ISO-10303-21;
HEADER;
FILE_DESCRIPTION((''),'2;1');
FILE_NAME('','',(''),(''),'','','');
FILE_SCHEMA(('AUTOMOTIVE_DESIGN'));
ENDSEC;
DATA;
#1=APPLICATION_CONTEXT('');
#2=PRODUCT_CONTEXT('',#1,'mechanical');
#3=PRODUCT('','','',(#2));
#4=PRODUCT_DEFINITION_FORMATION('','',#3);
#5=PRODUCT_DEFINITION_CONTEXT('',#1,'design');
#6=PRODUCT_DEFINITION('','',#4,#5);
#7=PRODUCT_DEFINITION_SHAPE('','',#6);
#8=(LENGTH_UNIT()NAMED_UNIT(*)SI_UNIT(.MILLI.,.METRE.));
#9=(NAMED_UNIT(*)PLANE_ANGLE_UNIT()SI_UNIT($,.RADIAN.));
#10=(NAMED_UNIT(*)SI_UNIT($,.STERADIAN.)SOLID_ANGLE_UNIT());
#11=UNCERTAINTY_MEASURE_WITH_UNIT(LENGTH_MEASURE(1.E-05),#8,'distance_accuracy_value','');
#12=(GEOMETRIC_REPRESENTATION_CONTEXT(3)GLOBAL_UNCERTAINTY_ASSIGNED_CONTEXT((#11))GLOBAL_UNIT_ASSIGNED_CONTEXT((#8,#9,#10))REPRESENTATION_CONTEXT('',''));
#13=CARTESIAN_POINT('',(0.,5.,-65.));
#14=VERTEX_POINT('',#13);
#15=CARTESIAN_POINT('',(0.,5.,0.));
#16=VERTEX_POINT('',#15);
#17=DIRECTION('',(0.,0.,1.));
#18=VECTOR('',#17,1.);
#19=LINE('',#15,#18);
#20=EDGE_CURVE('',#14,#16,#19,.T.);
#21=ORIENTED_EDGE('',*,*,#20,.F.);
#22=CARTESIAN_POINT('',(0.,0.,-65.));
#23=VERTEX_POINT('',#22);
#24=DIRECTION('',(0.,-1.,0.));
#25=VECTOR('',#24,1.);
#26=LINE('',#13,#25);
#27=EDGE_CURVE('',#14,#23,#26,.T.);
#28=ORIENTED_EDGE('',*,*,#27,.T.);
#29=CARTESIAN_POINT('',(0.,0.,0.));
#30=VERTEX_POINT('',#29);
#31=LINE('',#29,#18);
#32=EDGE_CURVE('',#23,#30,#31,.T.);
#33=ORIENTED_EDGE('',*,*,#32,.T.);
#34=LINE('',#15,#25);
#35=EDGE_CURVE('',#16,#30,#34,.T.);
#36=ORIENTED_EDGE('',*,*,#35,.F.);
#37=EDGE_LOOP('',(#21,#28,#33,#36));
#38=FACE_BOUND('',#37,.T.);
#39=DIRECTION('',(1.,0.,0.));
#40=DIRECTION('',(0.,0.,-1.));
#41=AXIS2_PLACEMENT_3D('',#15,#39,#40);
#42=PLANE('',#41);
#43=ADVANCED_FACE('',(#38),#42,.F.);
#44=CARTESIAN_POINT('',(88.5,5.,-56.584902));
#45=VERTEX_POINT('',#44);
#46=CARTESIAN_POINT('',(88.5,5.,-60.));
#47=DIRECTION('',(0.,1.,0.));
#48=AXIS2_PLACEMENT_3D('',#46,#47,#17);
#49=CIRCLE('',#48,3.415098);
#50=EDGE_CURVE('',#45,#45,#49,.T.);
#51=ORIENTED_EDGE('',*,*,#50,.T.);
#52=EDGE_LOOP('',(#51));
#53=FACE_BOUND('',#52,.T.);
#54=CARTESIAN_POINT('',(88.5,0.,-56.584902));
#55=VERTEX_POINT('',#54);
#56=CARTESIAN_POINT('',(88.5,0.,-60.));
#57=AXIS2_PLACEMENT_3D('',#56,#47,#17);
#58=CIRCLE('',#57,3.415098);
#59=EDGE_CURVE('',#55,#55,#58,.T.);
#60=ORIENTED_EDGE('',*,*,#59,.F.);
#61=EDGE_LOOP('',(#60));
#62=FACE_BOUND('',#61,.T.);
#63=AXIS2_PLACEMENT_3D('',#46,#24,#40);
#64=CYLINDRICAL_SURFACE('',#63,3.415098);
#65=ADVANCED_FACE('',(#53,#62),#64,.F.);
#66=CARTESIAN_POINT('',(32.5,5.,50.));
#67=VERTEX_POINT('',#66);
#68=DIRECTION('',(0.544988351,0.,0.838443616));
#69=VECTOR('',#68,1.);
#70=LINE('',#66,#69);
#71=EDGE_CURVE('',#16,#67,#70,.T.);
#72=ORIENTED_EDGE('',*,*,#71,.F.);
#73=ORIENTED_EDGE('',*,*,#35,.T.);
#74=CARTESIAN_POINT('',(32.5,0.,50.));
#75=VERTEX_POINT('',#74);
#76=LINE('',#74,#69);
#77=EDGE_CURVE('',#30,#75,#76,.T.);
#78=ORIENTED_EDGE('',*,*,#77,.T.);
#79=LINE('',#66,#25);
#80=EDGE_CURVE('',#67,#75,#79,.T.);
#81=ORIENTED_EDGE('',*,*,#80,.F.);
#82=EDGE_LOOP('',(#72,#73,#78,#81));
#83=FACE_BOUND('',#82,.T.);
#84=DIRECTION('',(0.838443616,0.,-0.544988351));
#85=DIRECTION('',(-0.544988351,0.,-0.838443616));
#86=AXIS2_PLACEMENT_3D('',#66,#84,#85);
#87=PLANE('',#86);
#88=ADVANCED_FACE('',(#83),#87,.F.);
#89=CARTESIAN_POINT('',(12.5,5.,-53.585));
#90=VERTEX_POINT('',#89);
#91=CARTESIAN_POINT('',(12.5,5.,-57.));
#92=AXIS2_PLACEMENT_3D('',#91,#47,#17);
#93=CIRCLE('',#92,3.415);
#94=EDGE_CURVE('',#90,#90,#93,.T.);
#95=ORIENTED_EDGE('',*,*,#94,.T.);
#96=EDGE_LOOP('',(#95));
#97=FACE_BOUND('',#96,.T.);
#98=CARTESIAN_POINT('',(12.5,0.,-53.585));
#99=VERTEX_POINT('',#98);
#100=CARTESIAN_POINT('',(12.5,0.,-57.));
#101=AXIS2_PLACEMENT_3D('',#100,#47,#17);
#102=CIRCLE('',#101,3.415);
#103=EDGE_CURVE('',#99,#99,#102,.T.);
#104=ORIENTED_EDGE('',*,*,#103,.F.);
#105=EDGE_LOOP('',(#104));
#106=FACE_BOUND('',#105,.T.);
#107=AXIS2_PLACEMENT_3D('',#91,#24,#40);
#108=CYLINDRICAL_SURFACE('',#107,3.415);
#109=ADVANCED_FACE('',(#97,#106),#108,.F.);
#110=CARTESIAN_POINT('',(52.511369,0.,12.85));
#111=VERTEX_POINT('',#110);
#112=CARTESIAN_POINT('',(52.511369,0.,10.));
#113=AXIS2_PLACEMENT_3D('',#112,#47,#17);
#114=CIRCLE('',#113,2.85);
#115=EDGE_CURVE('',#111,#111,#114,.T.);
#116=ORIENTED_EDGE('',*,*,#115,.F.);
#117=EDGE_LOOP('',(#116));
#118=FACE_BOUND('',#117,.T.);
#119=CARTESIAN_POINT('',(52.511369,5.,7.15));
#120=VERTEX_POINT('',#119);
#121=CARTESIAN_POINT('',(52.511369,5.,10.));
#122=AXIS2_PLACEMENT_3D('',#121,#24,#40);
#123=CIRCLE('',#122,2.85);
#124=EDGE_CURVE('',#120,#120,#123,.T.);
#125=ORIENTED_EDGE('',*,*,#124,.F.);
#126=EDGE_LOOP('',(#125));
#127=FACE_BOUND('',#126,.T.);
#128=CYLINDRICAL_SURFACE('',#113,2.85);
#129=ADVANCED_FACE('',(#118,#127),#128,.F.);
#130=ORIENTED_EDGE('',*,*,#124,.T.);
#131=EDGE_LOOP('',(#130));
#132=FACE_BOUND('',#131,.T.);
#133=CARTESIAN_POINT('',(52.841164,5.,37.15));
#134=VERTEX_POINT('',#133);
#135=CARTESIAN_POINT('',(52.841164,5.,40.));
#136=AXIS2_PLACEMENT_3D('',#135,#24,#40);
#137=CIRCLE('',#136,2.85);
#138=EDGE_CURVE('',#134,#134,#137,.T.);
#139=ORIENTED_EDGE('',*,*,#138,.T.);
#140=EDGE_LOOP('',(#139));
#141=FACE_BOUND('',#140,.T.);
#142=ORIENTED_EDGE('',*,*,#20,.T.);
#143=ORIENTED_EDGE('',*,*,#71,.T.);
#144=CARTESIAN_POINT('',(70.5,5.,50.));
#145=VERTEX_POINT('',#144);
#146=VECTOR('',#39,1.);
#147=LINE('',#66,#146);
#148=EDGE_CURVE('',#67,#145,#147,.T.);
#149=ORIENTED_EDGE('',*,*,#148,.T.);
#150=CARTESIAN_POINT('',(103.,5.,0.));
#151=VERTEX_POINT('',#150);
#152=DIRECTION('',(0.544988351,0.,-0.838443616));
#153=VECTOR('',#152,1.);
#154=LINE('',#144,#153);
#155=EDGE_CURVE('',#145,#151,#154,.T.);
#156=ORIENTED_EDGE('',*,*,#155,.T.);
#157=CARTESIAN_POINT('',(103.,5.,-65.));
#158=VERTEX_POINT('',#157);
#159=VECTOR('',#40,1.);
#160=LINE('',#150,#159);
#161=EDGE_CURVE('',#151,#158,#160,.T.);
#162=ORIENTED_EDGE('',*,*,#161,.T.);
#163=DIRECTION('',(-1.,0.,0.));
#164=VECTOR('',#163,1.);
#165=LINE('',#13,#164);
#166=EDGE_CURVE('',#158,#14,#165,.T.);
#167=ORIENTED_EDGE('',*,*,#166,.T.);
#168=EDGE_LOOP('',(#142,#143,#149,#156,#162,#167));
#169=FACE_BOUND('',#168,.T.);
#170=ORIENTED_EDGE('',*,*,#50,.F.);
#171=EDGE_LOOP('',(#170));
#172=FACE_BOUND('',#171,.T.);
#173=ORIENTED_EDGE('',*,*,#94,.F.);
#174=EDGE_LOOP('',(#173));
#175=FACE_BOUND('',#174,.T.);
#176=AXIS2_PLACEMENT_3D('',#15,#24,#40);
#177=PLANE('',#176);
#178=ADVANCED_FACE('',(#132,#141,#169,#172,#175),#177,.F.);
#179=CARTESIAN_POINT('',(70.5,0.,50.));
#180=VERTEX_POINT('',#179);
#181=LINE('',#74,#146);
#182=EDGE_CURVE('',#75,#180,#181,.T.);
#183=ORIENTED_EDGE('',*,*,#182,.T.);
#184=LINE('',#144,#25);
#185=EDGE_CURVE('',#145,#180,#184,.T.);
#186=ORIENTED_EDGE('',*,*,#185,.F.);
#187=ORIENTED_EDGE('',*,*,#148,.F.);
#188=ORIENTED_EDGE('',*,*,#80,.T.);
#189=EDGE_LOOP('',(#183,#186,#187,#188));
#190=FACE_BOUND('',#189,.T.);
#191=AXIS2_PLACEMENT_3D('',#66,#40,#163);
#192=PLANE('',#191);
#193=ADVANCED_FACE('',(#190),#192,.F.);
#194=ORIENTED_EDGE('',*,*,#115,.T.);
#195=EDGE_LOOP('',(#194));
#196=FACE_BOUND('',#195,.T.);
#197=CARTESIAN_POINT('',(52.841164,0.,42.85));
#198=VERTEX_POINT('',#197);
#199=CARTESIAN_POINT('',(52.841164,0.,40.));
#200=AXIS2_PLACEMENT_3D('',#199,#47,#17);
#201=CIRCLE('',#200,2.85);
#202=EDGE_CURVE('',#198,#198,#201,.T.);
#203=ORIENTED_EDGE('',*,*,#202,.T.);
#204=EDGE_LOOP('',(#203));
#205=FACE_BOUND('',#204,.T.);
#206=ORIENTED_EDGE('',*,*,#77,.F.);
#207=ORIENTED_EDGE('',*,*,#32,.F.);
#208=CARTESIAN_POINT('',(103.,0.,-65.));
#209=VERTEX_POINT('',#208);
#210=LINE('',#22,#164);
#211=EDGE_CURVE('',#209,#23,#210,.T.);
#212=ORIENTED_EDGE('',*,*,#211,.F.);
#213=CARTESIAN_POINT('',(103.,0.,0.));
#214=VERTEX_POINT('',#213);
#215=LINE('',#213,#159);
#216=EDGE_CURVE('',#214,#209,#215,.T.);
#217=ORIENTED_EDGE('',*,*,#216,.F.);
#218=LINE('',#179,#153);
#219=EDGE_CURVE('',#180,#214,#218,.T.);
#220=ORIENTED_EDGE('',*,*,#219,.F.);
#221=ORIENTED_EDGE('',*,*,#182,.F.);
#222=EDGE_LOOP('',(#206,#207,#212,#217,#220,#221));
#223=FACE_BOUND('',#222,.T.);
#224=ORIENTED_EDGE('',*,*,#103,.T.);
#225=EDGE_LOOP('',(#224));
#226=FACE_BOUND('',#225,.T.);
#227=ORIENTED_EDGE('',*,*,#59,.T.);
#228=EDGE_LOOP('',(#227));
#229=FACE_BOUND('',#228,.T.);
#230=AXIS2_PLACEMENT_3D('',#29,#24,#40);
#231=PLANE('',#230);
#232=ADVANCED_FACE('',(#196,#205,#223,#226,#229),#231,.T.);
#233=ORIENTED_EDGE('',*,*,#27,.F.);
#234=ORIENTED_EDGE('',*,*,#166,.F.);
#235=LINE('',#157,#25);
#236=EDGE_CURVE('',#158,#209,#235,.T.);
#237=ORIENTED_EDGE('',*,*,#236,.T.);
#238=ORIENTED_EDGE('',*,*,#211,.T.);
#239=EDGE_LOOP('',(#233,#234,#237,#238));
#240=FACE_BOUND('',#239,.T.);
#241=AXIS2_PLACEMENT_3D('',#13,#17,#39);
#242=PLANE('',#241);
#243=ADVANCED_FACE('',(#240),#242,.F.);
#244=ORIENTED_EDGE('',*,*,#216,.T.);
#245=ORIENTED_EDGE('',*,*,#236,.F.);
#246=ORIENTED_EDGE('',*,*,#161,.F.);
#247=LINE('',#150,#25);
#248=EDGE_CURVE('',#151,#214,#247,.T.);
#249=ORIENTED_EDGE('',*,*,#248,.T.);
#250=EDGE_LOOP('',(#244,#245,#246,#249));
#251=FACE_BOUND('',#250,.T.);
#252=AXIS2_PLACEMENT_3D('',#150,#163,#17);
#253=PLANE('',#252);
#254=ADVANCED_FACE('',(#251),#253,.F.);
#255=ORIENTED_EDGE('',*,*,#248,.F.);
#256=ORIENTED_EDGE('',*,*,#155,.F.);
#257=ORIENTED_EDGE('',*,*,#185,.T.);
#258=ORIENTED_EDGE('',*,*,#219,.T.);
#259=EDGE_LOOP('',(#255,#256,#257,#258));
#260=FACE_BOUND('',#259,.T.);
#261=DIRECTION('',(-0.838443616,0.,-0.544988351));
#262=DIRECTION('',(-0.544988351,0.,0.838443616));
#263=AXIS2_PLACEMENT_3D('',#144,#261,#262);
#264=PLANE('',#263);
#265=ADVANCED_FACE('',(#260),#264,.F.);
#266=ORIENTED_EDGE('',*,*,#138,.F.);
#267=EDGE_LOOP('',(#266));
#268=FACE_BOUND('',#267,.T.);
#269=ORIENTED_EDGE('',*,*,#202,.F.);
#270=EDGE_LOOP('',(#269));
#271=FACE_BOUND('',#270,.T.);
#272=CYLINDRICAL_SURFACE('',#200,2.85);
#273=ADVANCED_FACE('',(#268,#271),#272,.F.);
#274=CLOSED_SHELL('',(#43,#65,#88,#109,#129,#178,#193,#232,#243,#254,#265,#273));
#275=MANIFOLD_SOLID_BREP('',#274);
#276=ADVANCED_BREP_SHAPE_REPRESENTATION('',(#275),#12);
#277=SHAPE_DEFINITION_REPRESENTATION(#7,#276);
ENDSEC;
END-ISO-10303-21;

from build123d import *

# Parameters (mm, degrees)
SKETCH1_R               = 3.415098232
SKETCH1_R_2             = 3.415
BOSS_EXTRUDE1_DEPTH     = 5
CUT_EXTRUDE1_DEPTH      = 122.897497923
CUT_EXTRUDE1_DEPTH_BACK = 122.897497923
SKETCH2_R               = 2.85


with BuildPart() as part:
    # Sketch1 → Boss-Extrude1 (new body)
    with BuildSketch(Plane(origin=(0, 0, 0), x_dir=(1, 0, 0), z_dir=(0, 1, 0))):
        Polygon((0, 0), (0, 65), (103, 65), (103, 0), (70.5, -50), (32.5, -50), align=None)
        with Locations(Location((88.5, 60, 0), (0, 0, 270))):
            Circle(SKETCH1_R, mode=Mode.SUBTRACT)
        with Locations(Location((12.5, 57, 0), (0, 0, 270))):
            Circle(SKETCH1_R_2, mode=Mode.SUBTRACT)
    extrude(amount=BOSS_EXTRUDE1_DEPTH)

    # Sketch2 → Cut-Extrude1 (cut, two sides: drawn at the far end of the back side and taken through both)
    with BuildSketch(Plane(origin=(0, 5, 0), x_dir=(1, 0, 0), z_dir=(0, 1, 0)).offset(-CUT_EXTRUDE1_DEPTH_BACK)):
        with Locations(Location((52.841163777, -40, 0), (0, 0, 270))):
            Circle(SKETCH2_R)
        with Locations(Location((52.511369406, -10, 0), (0, 0, 270))):
            Circle(SKETCH2_R)
    extrude(amount=CUT_EXTRUDE1_DEPTH + CUT_EXTRUDE1_DEPTH_BACK, mode=Mode.SUBTRACT)


solid = part.part
